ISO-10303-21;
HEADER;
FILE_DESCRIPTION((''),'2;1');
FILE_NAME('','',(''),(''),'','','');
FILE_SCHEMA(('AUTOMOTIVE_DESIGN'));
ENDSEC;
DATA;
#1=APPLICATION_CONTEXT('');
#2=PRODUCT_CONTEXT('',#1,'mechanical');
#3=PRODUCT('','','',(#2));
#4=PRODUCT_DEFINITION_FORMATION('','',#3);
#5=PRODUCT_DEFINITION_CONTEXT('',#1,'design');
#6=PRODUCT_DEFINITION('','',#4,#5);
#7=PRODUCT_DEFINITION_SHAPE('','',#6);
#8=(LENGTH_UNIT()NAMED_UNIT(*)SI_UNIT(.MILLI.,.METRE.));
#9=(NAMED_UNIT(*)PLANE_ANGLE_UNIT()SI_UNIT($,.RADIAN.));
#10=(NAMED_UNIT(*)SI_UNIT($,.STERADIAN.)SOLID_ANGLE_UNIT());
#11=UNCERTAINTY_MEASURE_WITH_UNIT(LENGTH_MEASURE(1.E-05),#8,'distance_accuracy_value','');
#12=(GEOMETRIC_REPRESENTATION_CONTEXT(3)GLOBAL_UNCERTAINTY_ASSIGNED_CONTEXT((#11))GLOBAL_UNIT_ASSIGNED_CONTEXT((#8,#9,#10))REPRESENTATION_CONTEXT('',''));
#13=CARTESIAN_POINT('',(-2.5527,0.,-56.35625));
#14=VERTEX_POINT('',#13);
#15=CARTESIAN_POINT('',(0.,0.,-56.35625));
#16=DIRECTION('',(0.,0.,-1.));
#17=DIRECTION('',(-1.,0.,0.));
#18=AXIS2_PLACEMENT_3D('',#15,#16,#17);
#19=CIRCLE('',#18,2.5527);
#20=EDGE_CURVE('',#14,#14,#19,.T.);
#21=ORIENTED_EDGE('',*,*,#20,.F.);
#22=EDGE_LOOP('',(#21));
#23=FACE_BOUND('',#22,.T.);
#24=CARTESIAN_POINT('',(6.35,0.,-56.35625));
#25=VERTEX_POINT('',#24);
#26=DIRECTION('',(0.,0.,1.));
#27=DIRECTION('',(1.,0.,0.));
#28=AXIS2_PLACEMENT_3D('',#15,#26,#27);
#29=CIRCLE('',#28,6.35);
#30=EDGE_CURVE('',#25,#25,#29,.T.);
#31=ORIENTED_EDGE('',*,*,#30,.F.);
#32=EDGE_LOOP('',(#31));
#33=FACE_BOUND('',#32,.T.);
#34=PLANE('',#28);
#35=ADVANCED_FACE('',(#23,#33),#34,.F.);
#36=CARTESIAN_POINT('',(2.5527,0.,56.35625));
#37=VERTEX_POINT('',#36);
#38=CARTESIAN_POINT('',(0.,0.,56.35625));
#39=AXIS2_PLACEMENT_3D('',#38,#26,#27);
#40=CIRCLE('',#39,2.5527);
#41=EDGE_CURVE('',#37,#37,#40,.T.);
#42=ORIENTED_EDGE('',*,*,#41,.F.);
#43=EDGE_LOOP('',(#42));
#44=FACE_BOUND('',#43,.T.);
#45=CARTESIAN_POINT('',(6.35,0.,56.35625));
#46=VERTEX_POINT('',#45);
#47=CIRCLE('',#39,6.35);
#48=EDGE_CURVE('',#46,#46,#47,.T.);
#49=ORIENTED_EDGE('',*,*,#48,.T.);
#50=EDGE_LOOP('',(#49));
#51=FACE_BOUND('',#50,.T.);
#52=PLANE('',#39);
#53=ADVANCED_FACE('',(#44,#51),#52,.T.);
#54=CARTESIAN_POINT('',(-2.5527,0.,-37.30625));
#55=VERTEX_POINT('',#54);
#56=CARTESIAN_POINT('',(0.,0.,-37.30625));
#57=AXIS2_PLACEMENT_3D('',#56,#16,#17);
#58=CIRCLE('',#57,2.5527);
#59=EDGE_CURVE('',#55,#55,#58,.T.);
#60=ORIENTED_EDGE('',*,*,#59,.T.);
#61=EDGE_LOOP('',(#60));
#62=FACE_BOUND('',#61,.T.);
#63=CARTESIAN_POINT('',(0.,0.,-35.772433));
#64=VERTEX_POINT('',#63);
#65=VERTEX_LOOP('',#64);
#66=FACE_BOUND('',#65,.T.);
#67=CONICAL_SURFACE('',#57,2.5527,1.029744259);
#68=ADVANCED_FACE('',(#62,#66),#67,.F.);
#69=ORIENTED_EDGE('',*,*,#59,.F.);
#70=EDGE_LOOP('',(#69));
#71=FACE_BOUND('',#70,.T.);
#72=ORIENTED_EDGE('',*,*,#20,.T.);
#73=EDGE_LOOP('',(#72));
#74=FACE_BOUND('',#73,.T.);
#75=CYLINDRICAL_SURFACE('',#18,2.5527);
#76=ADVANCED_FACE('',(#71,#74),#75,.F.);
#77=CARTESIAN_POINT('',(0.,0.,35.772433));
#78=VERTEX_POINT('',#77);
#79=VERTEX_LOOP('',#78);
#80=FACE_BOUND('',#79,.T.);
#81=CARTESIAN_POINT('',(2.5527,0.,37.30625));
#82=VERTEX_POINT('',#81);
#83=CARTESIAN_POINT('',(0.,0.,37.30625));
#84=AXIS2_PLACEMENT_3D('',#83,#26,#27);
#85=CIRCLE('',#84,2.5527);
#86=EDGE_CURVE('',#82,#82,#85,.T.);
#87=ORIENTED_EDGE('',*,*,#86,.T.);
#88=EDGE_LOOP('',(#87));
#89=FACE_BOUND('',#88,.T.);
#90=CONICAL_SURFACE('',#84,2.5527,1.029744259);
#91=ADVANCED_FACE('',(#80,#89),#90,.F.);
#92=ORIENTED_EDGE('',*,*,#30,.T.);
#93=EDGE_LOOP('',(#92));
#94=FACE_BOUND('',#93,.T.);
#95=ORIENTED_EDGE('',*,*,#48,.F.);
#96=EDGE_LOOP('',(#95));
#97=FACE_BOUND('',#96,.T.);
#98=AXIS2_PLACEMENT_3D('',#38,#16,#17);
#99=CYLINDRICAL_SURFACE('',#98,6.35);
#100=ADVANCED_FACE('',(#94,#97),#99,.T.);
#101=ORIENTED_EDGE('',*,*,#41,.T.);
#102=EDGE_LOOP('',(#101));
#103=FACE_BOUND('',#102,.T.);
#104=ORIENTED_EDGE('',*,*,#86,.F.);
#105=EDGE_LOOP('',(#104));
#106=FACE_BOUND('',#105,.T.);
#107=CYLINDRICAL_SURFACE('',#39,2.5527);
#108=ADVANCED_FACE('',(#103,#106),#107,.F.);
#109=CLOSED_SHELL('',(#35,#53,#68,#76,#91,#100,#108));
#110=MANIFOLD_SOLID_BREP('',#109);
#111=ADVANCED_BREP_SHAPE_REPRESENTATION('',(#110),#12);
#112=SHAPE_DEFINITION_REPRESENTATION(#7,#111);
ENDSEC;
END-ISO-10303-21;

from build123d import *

# Parameters (mm, degrees)
SKETCH1_R                   = 6.35
EXTRUDE1_DEPTH              = 56.35625
F_1_4_20_TAPPED_HOLE1_D     = 5.1054
F_1_4_20_TAPPED_HOLE1_DEPTH = 19.05
F_1_4_20_TAPPED_HOLE1_TIP   = 1.533816902
F_1_4_20_TAPPED_HOLE2_D     = 5.1054
F_1_4_20_TAPPED_HOLE2_DEPTH = 19.05
F_1_4_20_TAPPED_HOLE2_TIP   = 1.533816902


with BuildPart() as part:
    # Sketch1 → Extrude1 (new body, symmetric)
    with BuildSketch(Plane.XY):
        Circle(SKETCH1_R)
    extrude(amount=EXTRUDE1_DEPTH, both=True)

    # 1/4-20 Tapped Hole1
    with Locations(Plane.XY.offset(56.35625)):
        with Locations((0, 0)):
            Hole(F_1_4_20_TAPPED_HOLE1_D / 2, depth=F_1_4_20_TAPPED_HOLE1_DEPTH)
            with Locations((0, 0, -(F_1_4_20_TAPPED_HOLE1_DEPTH + F_1_4_20_TAPPED_HOLE1_TIP / 2))):  # 118° drill point
                Cone(0, F_1_4_20_TAPPED_HOLE1_D / 2, F_1_4_20_TAPPED_HOLE1_TIP, mode=Mode.SUBTRACT)

    # 1/4-20 Tapped Hole2
    with Locations(Plane(origin=(0, 0, -56.35625), x_dir=(-1, 0, 0), z_dir=(0, 0, -1))):
        with Locations((0, 0)):
            Hole(F_1_4_20_TAPPED_HOLE2_D / 2, depth=F_1_4_20_TAPPED_HOLE2_DEPTH)
            with Locations((0, 0, -(F_1_4_20_TAPPED_HOLE2_DEPTH + F_1_4_20_TAPPED_HOLE2_TIP / 2))):  # 118° drill point
                Cone(0, F_1_4_20_TAPPED_HOLE2_D / 2, F_1_4_20_TAPPED_HOLE2_TIP, mode=Mode.SUBTRACT)


solid = part.part
